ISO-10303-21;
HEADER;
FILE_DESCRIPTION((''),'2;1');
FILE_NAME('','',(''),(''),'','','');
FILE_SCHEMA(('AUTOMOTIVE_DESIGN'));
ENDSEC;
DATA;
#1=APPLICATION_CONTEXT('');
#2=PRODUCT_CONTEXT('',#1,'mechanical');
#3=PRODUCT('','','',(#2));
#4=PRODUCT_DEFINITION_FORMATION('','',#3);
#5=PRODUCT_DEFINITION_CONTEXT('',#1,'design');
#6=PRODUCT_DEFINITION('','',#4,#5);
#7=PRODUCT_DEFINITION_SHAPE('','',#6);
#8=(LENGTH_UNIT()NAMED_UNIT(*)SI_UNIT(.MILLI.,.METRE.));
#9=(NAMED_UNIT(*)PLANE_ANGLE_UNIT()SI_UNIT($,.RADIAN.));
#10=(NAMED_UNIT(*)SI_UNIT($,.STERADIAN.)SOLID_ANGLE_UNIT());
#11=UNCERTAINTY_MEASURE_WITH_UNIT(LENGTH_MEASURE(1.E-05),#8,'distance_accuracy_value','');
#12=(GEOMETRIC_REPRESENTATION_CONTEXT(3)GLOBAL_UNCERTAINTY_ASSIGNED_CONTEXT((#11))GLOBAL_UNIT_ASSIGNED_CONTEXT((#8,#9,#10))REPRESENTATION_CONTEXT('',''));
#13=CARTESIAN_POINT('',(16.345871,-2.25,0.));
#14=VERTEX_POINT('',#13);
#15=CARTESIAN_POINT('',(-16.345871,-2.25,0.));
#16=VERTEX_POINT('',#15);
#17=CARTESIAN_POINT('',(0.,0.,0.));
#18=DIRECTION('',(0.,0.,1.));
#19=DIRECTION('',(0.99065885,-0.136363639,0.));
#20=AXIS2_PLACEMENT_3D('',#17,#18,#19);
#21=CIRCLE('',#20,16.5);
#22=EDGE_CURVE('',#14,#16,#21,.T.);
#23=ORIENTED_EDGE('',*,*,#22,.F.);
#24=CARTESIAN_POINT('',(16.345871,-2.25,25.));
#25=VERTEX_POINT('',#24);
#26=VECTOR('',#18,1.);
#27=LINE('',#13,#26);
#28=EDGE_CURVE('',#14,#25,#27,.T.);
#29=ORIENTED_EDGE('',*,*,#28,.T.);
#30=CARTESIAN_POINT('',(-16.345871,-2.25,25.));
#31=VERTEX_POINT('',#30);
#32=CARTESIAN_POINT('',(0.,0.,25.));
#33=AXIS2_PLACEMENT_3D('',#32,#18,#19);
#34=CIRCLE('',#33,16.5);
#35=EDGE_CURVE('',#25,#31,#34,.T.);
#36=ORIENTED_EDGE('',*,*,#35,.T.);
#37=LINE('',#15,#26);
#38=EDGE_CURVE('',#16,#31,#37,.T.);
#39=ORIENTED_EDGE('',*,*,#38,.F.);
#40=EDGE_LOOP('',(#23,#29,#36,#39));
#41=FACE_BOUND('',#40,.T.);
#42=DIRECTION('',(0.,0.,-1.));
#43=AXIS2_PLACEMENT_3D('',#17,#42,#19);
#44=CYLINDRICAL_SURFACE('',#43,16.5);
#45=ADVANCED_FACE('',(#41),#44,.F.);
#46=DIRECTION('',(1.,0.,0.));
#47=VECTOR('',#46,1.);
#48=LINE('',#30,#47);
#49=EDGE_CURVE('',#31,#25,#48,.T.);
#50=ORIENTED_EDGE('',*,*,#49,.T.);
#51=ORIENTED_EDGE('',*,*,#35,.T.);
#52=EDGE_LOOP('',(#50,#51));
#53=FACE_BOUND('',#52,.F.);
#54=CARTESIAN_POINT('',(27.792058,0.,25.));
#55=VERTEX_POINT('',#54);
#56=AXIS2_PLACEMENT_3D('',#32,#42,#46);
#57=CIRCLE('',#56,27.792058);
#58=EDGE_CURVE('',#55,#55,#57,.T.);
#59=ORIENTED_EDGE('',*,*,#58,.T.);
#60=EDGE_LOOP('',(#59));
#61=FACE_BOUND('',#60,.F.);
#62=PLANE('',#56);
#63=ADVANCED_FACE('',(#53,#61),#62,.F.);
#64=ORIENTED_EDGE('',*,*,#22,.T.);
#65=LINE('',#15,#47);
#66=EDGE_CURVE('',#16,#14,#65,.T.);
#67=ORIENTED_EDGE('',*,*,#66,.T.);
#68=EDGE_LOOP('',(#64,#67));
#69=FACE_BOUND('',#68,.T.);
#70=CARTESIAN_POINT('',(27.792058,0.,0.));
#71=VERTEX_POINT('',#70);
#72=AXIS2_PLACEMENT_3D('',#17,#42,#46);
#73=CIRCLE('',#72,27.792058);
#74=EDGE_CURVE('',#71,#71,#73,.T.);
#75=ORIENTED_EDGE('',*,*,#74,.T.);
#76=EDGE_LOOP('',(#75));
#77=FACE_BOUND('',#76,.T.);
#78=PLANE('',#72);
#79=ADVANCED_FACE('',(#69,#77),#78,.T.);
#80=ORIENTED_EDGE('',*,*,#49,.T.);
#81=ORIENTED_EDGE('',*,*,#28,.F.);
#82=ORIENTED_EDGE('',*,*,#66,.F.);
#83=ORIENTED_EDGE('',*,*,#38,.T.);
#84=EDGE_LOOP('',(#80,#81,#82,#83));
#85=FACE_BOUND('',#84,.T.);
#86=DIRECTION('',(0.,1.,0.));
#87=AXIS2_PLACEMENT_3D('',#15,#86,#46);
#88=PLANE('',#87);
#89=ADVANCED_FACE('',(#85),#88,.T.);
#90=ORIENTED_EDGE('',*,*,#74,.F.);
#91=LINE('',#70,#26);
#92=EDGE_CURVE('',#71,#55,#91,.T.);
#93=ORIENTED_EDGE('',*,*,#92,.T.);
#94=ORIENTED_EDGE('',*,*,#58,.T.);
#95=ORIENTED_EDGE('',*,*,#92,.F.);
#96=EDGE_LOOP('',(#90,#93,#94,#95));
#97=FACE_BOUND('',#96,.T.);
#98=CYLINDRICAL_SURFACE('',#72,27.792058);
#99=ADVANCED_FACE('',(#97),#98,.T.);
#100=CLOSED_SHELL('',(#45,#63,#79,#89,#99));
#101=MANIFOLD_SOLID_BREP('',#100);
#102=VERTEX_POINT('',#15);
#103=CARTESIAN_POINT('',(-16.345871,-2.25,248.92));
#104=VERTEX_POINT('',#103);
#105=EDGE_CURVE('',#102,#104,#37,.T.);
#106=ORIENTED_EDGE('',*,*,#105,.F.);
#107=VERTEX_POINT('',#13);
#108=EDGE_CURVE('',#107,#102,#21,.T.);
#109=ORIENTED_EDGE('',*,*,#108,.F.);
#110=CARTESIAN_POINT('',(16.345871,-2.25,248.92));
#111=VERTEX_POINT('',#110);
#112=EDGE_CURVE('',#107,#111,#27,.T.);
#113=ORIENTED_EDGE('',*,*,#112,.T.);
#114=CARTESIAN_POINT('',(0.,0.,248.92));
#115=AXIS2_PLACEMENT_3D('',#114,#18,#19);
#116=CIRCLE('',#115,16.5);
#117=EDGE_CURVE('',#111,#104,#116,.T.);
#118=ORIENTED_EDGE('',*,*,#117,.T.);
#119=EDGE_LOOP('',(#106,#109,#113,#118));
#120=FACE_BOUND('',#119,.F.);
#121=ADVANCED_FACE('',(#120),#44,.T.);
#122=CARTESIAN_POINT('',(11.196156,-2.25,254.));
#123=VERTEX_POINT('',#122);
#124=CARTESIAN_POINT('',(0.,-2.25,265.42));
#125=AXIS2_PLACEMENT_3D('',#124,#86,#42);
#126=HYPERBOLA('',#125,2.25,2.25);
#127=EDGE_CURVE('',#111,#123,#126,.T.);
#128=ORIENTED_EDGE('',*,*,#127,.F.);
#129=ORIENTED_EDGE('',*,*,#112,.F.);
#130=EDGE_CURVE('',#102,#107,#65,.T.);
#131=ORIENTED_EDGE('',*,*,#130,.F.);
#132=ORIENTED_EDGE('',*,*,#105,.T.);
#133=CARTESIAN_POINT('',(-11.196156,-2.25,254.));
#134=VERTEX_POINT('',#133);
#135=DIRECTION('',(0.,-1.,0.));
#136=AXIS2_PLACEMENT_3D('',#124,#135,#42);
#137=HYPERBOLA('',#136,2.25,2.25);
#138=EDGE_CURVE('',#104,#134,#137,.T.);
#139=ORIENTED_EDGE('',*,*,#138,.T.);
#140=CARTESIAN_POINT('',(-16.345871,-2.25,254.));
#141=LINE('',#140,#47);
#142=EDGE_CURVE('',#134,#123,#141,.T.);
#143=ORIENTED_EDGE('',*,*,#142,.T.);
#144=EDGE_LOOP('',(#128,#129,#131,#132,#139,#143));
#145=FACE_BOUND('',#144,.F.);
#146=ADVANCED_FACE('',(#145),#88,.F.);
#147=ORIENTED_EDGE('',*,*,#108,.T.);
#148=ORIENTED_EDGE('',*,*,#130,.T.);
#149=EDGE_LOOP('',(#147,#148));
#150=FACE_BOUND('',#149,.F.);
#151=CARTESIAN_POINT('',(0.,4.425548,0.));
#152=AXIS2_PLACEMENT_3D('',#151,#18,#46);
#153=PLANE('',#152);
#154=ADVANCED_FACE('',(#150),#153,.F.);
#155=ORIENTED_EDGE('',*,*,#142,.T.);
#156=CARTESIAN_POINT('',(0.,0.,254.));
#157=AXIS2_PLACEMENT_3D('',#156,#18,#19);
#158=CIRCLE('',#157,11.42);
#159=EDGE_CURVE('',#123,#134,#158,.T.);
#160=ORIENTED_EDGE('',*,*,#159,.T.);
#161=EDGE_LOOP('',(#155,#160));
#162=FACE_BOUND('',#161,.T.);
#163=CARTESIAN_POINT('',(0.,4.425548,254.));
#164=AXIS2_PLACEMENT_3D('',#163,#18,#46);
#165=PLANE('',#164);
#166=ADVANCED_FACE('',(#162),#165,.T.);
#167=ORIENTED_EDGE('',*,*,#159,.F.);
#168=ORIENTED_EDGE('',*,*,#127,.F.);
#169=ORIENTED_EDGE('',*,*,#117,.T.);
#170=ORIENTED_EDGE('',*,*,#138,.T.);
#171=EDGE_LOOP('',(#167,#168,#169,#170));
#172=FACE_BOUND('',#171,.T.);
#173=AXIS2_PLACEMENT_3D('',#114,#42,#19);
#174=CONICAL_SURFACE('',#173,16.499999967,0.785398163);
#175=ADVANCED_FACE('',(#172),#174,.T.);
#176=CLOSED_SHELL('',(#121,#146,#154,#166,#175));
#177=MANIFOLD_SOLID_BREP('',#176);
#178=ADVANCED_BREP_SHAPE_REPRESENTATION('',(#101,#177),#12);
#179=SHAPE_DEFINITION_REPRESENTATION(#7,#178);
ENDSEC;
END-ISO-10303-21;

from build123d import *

# Parameters (mm, degrees)
F1_DEPTH = 254
F2_SIZE  = 5.08
F3_R     = 27.792058
F4_DEPTH = 25


with BuildPart() as f1:
    # F0 (on Top) → F1 (new body)
    with BuildSketch(Plane.XY):
        with BuildLine():
            Line((-16.345871, -2.25), (16.345871, -2.25))
            ThreePointArc((16.345871, -2.25), (0, 16.5), (-16.345871, -2.25))
        make_face()
    extrude(amount=F1_DEPTH)

    # F2
    f2_edges = [f1.edges().sort_by_distance(p)[0] for p in [
        (0, 16.5, 254),
    ]]
    chamfer(f2_edges, length=F2_SIZE)


with BuildPart() as f4:
    # F3 (on face) → F4 (new body)
    with BuildSketch(Plane(origin=(0, 0, 0), x_dir=(1, 0, 0), z_dir=(0, 0, -1))):
        Circle(F3_R)
        with BuildLine():
            Line((-16.345871, 2.25), (16.345871, 2.25))
            ThreePointArc((16.345871, 2.25), (0, -16.5), (-16.345871, 2.25))
        make_face(mode=Mode.SUBTRACT)
    extrude(amount=-F4_DEPTH)


solid = Compound([f1.part, f4.part])
